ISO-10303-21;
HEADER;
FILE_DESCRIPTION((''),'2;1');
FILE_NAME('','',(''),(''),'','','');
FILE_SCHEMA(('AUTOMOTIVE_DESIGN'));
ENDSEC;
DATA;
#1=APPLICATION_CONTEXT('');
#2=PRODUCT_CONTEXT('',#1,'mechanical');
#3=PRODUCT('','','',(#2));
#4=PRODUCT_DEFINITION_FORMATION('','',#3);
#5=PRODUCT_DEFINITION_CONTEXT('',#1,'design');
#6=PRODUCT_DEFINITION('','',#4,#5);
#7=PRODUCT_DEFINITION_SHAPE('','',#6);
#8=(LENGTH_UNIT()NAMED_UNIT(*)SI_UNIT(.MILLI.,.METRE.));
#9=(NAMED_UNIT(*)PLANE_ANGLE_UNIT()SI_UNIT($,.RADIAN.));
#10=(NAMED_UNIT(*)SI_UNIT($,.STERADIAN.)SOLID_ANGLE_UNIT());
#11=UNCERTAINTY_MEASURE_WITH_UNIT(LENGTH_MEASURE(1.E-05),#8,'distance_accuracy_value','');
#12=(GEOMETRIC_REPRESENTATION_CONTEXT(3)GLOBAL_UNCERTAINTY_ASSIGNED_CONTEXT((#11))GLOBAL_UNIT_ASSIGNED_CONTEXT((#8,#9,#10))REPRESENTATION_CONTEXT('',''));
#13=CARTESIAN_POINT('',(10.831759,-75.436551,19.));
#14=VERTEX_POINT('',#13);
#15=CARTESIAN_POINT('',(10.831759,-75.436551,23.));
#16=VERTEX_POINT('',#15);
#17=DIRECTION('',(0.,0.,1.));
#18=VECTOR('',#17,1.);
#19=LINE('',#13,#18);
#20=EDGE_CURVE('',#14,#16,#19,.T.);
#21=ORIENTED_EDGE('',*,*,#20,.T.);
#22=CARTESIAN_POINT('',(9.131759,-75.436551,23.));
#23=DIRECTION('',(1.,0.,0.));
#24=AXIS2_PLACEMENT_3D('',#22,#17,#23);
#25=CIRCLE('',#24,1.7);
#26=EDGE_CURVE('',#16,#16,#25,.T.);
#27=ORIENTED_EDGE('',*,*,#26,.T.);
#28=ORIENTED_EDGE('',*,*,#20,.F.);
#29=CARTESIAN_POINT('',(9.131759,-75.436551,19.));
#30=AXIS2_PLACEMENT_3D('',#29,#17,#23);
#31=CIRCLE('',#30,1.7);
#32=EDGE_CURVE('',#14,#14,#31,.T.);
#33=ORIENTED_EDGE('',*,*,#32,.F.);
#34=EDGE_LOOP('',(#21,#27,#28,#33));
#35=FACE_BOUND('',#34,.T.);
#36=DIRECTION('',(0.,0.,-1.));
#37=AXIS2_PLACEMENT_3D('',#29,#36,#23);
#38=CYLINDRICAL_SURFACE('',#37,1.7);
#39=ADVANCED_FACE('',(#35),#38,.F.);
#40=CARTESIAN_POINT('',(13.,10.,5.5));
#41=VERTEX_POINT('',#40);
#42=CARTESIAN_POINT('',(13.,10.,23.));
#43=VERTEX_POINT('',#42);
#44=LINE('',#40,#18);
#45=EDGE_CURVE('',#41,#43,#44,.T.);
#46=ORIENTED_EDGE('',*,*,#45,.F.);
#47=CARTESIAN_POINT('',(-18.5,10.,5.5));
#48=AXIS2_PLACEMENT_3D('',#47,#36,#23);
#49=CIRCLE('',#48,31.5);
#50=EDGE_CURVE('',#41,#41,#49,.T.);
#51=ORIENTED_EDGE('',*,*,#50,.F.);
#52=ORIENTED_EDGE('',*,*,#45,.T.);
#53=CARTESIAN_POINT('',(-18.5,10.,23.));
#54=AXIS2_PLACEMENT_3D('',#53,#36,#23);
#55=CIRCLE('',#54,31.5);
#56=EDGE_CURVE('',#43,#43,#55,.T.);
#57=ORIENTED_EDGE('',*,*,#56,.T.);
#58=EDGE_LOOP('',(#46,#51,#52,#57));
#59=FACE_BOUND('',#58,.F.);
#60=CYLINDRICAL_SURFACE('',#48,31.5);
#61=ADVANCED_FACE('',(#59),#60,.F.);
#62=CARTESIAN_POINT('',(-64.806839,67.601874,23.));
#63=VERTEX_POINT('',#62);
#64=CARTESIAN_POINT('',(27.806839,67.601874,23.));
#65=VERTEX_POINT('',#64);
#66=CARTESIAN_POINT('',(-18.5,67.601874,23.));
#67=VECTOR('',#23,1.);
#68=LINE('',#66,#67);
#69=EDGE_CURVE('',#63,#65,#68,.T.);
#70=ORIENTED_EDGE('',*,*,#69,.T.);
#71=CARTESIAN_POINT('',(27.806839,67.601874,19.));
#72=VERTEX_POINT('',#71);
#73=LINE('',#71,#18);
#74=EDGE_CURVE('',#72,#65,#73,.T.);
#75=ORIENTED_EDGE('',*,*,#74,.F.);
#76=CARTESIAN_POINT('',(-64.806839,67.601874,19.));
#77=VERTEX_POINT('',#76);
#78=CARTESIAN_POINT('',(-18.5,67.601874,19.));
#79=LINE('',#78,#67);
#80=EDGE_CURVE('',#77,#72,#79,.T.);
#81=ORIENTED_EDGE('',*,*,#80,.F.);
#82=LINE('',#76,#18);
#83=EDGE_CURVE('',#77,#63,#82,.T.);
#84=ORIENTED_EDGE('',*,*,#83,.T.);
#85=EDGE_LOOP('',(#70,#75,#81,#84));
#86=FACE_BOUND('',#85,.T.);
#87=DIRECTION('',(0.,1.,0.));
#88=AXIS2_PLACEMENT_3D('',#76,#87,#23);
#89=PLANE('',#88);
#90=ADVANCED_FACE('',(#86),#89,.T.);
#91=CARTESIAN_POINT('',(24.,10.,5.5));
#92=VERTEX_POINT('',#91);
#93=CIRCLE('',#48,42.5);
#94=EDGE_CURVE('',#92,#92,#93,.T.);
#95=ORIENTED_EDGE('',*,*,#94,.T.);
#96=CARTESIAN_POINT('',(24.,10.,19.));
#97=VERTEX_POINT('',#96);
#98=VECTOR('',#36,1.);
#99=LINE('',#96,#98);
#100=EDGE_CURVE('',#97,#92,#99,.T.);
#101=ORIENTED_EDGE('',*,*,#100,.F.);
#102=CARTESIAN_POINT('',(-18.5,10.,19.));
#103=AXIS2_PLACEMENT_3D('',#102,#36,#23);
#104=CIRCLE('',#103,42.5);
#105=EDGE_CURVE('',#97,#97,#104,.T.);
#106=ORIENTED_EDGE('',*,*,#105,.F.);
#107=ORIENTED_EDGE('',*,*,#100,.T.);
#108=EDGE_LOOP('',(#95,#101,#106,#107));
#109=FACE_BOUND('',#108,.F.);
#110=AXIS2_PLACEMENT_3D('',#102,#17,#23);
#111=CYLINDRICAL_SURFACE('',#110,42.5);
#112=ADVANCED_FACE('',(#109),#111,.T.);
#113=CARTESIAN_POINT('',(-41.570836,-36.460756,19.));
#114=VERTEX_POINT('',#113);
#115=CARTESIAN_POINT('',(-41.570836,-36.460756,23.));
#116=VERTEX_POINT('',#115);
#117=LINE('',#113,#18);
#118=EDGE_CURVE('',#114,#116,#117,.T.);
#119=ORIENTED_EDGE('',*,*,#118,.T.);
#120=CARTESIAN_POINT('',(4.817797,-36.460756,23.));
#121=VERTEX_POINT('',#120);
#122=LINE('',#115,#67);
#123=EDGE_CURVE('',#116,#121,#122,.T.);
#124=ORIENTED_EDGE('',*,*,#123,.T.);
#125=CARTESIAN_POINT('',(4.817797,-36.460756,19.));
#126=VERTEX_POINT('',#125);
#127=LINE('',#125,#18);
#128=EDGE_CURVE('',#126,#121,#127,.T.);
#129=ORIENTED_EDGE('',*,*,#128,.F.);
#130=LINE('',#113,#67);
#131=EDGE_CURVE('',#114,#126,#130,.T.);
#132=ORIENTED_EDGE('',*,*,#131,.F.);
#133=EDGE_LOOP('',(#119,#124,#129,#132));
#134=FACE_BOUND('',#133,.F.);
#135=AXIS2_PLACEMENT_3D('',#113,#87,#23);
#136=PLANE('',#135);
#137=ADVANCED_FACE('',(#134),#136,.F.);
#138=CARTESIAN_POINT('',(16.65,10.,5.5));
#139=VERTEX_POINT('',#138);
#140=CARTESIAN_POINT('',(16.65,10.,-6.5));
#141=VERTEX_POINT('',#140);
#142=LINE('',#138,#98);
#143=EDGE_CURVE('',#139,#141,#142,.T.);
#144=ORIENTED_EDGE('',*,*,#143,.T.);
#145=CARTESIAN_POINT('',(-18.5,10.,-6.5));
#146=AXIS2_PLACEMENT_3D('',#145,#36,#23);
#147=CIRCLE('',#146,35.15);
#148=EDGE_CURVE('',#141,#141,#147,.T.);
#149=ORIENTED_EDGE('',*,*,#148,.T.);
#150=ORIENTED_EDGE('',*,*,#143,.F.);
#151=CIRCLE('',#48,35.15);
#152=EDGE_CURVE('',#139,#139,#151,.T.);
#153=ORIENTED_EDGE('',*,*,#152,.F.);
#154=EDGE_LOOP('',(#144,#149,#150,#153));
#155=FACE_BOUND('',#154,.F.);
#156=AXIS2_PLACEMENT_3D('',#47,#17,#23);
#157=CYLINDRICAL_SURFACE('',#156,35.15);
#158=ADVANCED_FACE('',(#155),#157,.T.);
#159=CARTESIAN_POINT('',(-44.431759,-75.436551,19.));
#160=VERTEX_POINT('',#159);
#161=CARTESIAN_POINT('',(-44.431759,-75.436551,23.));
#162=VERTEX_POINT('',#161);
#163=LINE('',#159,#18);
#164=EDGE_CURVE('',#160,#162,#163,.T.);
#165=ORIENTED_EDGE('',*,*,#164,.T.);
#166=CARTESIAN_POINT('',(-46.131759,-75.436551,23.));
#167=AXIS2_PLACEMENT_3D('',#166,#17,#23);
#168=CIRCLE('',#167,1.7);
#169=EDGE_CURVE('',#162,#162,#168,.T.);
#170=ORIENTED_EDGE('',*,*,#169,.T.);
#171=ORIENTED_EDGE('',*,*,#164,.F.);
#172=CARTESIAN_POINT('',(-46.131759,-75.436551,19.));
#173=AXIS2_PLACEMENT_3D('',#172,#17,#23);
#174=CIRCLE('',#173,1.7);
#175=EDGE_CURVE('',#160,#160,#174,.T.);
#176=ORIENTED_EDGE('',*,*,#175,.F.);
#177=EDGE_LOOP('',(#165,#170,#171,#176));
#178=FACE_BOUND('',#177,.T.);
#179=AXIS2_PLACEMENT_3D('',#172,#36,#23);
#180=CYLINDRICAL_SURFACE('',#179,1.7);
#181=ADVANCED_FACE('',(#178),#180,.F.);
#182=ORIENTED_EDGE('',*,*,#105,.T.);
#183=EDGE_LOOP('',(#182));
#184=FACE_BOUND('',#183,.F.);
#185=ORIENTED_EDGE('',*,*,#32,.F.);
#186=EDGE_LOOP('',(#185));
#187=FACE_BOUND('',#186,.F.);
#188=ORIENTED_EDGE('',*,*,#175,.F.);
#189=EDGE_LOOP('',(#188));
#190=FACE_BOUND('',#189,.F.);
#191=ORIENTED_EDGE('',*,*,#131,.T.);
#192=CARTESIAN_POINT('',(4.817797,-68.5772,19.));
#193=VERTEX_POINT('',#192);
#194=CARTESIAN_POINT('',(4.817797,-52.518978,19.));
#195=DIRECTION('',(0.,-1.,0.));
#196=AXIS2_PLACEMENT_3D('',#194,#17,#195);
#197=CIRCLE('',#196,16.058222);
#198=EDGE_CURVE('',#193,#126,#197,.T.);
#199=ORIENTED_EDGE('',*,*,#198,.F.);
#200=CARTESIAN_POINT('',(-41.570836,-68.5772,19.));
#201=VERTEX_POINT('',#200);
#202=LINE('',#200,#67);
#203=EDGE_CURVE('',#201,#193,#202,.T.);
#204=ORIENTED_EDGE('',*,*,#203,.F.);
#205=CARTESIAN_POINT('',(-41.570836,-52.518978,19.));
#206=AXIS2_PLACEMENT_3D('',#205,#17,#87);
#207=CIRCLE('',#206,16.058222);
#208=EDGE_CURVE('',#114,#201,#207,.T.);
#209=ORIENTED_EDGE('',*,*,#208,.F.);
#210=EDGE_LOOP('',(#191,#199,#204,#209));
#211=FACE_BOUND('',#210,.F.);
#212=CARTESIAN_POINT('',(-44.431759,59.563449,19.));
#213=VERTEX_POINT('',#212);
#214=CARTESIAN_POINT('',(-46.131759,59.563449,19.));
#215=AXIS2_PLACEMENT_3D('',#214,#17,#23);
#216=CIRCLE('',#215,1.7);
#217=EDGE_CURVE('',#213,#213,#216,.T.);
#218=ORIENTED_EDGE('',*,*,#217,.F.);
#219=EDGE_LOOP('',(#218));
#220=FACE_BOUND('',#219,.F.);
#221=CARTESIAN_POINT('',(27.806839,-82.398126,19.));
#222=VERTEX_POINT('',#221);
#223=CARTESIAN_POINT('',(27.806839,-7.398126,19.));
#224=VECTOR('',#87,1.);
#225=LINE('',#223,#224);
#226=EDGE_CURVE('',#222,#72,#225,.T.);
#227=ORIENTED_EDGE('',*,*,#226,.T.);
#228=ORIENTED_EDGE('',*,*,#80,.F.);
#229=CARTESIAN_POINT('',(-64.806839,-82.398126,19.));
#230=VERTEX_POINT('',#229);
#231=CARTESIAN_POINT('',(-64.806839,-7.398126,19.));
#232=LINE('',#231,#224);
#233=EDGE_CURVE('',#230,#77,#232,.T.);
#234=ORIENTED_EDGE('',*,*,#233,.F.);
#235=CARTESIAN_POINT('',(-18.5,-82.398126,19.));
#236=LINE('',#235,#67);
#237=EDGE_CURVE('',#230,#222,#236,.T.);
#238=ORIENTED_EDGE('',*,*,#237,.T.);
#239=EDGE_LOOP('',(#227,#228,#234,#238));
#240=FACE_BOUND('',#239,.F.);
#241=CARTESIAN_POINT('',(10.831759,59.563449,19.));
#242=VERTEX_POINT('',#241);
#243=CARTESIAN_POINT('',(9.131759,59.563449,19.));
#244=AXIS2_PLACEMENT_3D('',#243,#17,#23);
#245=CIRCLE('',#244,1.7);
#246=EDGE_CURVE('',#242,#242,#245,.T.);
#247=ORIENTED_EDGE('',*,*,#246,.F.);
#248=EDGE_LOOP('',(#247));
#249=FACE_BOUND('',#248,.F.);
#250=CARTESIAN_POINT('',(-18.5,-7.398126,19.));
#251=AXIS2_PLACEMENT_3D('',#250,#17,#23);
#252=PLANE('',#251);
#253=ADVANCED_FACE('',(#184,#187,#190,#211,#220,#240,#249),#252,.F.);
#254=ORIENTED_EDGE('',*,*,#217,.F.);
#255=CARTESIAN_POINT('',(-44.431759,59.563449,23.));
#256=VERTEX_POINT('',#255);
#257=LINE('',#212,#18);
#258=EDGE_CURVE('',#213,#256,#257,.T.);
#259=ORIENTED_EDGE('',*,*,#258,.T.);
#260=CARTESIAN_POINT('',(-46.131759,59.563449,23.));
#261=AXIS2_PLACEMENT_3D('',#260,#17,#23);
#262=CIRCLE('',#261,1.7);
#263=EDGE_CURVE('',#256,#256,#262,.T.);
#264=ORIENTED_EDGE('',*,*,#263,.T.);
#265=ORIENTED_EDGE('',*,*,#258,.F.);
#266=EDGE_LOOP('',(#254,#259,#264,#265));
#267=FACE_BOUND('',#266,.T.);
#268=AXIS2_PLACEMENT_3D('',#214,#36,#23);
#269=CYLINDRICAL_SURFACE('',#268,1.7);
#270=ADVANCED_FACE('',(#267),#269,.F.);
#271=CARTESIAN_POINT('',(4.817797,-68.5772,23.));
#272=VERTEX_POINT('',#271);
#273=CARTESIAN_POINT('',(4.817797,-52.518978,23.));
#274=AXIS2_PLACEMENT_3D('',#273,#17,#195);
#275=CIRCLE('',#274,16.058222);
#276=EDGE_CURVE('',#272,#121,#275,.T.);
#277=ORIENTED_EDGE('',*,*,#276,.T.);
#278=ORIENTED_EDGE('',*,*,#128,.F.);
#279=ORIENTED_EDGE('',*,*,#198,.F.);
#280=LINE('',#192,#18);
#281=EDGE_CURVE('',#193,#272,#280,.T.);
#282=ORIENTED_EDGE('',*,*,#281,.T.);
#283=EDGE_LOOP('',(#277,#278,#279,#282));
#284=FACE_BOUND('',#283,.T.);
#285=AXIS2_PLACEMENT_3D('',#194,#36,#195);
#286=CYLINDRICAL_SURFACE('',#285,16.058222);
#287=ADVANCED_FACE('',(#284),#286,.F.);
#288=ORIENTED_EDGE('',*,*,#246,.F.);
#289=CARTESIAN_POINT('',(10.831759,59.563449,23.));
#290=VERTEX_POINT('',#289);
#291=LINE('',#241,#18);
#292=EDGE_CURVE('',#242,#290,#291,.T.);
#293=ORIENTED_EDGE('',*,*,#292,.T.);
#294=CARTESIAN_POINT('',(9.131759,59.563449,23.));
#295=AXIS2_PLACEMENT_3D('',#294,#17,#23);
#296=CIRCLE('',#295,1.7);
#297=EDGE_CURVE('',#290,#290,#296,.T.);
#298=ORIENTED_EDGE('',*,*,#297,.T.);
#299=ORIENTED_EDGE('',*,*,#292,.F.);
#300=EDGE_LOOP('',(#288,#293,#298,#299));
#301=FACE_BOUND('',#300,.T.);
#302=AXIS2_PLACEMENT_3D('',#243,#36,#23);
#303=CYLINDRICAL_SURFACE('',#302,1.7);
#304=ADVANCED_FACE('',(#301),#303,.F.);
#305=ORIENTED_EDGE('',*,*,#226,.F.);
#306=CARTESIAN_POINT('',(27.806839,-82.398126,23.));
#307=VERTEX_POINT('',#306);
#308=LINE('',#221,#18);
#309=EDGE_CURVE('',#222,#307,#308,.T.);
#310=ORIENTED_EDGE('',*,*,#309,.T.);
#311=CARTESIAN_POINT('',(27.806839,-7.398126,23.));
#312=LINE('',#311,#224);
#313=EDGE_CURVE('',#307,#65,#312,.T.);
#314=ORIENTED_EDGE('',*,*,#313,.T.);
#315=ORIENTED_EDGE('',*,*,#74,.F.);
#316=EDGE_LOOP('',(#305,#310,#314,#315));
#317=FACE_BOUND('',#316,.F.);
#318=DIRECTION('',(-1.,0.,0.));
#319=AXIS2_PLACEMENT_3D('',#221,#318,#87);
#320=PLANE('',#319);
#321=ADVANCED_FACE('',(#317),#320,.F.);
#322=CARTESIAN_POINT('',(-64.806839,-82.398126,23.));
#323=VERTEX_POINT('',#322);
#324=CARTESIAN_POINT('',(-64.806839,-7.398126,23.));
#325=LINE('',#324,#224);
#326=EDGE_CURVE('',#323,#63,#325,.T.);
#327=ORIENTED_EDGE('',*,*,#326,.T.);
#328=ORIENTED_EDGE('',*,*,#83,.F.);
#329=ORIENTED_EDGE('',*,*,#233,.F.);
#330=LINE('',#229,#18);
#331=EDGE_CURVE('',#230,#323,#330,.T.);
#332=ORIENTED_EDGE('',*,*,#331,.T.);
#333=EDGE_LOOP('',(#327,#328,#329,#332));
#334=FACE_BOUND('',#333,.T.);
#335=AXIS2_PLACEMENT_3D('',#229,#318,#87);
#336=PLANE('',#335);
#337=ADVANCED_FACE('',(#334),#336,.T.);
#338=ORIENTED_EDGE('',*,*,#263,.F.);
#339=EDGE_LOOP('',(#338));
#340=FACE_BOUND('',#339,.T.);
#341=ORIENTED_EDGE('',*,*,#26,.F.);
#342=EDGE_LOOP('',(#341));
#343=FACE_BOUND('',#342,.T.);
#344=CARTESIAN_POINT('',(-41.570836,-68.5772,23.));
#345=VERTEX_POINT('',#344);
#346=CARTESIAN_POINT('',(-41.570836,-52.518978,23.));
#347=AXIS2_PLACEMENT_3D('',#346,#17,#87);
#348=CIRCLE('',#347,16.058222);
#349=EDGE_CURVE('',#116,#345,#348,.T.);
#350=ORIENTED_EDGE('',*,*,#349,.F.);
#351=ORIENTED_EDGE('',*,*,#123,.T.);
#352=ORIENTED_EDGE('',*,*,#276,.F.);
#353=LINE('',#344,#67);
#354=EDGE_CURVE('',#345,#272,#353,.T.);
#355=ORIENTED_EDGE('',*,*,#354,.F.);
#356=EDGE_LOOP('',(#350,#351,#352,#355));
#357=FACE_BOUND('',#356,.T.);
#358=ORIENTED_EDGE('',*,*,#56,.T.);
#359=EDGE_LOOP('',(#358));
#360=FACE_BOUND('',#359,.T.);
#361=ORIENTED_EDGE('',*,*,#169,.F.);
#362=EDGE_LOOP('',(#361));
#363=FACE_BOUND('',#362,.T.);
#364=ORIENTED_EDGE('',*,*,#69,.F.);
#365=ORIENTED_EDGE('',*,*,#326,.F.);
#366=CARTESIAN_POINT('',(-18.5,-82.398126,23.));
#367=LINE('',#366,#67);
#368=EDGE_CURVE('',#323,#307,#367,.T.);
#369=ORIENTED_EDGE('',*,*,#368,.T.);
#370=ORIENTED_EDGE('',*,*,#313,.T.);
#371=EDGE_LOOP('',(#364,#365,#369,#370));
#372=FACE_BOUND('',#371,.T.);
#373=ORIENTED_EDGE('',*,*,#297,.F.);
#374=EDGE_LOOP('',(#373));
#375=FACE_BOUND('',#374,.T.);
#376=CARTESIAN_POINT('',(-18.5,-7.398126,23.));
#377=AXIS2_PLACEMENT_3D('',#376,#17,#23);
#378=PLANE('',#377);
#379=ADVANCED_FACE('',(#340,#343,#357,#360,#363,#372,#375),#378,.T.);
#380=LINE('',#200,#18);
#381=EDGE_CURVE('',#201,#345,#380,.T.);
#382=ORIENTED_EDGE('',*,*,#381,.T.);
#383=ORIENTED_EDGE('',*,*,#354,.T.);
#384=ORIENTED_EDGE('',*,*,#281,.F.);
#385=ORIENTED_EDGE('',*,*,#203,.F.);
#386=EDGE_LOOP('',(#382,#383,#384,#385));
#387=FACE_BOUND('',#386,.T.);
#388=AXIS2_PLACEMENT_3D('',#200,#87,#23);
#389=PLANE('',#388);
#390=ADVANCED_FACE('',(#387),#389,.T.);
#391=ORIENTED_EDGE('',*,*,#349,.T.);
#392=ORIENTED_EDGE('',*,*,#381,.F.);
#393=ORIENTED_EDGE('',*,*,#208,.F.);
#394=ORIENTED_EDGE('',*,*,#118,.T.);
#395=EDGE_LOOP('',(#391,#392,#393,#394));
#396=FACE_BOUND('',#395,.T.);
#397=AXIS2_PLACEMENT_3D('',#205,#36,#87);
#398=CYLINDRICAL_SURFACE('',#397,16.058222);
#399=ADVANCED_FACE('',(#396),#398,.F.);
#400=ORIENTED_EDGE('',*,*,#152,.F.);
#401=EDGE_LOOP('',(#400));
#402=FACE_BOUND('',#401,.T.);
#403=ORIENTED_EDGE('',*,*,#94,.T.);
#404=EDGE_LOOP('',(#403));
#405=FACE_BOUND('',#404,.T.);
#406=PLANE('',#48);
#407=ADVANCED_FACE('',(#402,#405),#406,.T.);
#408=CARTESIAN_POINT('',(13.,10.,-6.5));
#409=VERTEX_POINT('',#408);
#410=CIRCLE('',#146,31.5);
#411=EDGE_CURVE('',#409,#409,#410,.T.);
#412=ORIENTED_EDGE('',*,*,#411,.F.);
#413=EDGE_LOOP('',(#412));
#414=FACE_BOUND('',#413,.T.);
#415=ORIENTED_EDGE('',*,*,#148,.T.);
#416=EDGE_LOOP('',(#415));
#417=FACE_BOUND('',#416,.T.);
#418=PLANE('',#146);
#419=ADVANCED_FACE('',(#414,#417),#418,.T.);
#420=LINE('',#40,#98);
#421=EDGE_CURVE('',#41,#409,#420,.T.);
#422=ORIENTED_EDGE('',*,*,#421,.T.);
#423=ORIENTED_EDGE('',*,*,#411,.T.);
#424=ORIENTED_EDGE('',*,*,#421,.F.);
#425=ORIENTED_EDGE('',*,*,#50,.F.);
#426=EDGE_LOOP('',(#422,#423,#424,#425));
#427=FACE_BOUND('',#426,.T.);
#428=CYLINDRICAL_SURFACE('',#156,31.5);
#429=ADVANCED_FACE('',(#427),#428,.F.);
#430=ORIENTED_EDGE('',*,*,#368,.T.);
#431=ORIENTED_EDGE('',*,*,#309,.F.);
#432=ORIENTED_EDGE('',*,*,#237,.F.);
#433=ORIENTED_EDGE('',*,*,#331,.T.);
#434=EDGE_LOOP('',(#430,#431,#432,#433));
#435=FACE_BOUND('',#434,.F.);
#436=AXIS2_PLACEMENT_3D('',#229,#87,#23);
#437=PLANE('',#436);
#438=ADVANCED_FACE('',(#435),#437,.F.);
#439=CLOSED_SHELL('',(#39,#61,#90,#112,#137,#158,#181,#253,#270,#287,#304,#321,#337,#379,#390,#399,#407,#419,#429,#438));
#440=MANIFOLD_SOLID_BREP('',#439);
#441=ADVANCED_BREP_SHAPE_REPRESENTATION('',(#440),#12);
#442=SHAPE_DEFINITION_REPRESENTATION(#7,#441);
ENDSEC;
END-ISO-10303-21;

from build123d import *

# Parameters (mm, degrees)
SKETCH107_W     = 92.613678
SKETCH107_H     = 150
SKETCH107_R     = 1.7
PAD044_DEPTH    = 4
SKETCH106_R     = 42.5
PAD043_DEPTH    = 13.5
SKETCH105_R     = 35.15
SKETCH105_R_2   = 31.5
PAD042_DEPTH    = 12
SKETCH130_R     = 31.5
POCKET023_DEPTH = 20


with BuildPart() as part:
    # Sketch107 → Pad044 (new body)
    with BuildSketch(Plane.XY):
        with Locations((0, -17.3981255757)):
            Rectangle(SKETCH107_W, SKETCH107_H)
        with Locations((-27.6317588753, 49.5634491508)):
            Circle(SKETCH107_R, mode=Mode.SUBTRACT)
        with Locations((27.6317588753, 49.5634491508)):
            Circle(SKETCH107_R, mode=Mode.SUBTRACT)
        with Locations((27.6317588753, -85.4365508492)):
            Circle(SKETCH107_R, mode=Mode.SUBTRACT)
        with Locations((-27.6317588753, -85.4365508492)):
            Circle(SKETCH107_R, mode=Mode.SUBTRACT)
        with BuildLine():
            ThreePointArc((-23.0708364387, -46.4607558182), (-39.1290583868, -62.5189777662), (-23.0708364387, -78.5771997143))
            Line((-23.0708364387, -78.5771997143), (23.317797, -78.5771997143))
            ThreePointArc((23.317797, -78.5771997143), (39.3760189481, -62.5189777662), (23.317797, -46.4607558182))
            Line((-23.0708364387, -46.4607558182), (23.317797, -46.4607558182))
        make_face(mode=Mode.SUBTRACT)
    extrude(amount=PAD044_DEPTH)

    # Sketch106 (on Face13 of Pad044) → Pad043 (join)
    with BuildSketch(Plane(origin=(0, 0, 0), x_dir=(1, 0, 0), z_dir=(0, 0, -1))):
        Circle(SKETCH106_R)
    extrude(amount=PAD043_DEPTH)

    # Sketch105 (on Face16 of Pad043) → Pad042 (join)
    with BuildSketch(Plane(origin=(0, 0, -13.5), x_dir=(1, 0, 0), z_dir=(0, 0, -1))):
        Circle(SKETCH105_R)
        Circle(SKETCH105_R_2, mode=Mode.SUBTRACT)
    extrude(amount=PAD042_DEPTH)

    # Sketch130 (on Face20 of Pad042) → Pocket023 (cut)
    with BuildSketch(Plane(origin=(0, 0, -13.5), x_dir=(1, 0, 0), z_dir=(0, 0, -1))):
        Circle(SKETCH130_R)
    extrude(amount=-POCKET023_DEPTH, mode=Mode.SUBTRACT)


with BuildPart() as part_1:
    # Body012 placement: moved
    add(part.part.moved(Location((-18.5, 10, 19))))


solid = part_1.part
